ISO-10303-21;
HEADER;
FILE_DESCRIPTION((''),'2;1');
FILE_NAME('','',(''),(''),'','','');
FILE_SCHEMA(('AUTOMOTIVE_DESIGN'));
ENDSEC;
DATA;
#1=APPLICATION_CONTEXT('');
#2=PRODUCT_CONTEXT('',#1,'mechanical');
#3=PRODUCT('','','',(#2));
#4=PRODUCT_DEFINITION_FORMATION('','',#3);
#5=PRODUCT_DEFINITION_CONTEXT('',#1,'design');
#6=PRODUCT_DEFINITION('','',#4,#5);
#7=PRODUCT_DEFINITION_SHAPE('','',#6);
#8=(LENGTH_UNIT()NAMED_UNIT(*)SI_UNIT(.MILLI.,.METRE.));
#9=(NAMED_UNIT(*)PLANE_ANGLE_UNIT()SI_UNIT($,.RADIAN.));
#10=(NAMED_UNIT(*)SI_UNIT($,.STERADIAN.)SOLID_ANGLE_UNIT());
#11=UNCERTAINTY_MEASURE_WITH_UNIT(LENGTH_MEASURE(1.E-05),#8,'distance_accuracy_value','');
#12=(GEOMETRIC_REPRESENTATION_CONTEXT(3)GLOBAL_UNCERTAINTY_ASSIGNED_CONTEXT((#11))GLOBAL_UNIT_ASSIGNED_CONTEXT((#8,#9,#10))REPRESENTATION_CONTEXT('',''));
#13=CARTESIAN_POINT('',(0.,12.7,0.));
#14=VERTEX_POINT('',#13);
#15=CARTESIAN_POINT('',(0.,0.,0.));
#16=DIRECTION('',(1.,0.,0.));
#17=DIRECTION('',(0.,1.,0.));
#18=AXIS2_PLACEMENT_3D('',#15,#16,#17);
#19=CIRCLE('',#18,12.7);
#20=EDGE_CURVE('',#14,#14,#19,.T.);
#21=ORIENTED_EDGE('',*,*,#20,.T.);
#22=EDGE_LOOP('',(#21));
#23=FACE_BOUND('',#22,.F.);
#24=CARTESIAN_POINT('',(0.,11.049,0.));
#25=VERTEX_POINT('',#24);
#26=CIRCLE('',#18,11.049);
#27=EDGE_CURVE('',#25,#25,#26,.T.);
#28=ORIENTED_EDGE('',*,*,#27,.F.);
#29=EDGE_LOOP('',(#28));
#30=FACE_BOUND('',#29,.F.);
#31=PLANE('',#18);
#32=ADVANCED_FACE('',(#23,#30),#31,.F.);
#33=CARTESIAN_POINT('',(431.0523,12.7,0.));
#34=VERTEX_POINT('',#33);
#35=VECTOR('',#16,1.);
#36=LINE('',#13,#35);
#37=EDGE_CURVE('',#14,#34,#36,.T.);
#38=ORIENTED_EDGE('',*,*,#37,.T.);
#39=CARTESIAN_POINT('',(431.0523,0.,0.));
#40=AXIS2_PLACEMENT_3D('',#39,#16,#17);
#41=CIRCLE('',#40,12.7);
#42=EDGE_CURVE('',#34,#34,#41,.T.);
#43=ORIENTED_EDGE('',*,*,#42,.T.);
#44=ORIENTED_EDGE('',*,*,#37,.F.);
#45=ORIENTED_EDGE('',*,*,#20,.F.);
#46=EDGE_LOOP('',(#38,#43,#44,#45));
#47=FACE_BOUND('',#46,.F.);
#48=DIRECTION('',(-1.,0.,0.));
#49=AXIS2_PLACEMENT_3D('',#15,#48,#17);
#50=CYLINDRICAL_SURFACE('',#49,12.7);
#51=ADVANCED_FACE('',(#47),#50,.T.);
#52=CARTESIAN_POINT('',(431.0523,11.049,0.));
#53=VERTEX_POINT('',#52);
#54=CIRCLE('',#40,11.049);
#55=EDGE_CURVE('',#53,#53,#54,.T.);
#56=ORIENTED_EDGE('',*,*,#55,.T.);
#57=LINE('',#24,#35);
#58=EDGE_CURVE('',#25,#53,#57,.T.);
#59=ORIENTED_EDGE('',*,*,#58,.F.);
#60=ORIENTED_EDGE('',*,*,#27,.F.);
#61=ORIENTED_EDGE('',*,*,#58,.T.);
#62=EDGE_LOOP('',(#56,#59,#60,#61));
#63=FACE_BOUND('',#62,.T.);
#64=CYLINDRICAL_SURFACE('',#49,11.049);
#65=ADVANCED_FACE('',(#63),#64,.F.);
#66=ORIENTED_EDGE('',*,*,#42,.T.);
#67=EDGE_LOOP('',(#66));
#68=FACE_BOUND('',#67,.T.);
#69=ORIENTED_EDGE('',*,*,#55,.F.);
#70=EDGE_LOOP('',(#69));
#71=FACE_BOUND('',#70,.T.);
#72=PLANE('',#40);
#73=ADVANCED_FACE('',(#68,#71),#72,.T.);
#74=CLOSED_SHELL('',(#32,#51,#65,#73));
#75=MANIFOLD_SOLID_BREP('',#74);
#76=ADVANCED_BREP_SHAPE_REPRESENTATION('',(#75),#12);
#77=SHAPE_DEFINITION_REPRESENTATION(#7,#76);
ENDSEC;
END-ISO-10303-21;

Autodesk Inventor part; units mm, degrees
ref_plane "XZ Plane" through (0, 0, 0) normal (0, 1, 0) x (-1, 0, 0)
ref_plane "Start Plane" through (0, 0, 0) normal (1, 0, 0) x (0, 1, 0)
ref_plane "End Plane" through (431.0523, 0, 0) normal (1, 0, 0) x (0, 1, 0)
sketch "Sketch" plane through (0, 0, 0) normal (1, 0, 0) x (0, 1, 0)
  circle A0 centre (0, 0) radius 12.7
  circle A1 centre (0, 0) radius 11.049
  dimension "d0" = 25.4
  dimension "d1" = 1.651
extrude "Body" add sketch "Sketch" along normal up to surface (431.0523 mm away) from surface at 0
sketch "Sketch2" plane through (0, 0, 0) normal (1, 0, 0) x (0, 1, 0)
  line L0 (0, 0) -> (10, 0)
ref_plane "Work Plane3" through (0, 0, 0) normal (0, 0, -1) x (0, 1, 0)
sketch "Sketch3" plane through (0, 0, 0) normal (0, 0, -1) x (0, 1, 0)
  line L0 (-2, 0) -> (12, 0)
  line L1 (-2, 431.0523) -> (12, 431.0523)
  dimension "d9" = 431.0523
equation "\"G_OFFSET_START\" = 0"
equation "\"G_OFFSET_END\" = 0"
equation "\"d5\" = d2 + G_OFFSET_END"
equation "\"G_L\" = d9"
equation "\"d2\" = 431.052294"
properties part number "4130_1x0.065" material "Steel, Alloy"
